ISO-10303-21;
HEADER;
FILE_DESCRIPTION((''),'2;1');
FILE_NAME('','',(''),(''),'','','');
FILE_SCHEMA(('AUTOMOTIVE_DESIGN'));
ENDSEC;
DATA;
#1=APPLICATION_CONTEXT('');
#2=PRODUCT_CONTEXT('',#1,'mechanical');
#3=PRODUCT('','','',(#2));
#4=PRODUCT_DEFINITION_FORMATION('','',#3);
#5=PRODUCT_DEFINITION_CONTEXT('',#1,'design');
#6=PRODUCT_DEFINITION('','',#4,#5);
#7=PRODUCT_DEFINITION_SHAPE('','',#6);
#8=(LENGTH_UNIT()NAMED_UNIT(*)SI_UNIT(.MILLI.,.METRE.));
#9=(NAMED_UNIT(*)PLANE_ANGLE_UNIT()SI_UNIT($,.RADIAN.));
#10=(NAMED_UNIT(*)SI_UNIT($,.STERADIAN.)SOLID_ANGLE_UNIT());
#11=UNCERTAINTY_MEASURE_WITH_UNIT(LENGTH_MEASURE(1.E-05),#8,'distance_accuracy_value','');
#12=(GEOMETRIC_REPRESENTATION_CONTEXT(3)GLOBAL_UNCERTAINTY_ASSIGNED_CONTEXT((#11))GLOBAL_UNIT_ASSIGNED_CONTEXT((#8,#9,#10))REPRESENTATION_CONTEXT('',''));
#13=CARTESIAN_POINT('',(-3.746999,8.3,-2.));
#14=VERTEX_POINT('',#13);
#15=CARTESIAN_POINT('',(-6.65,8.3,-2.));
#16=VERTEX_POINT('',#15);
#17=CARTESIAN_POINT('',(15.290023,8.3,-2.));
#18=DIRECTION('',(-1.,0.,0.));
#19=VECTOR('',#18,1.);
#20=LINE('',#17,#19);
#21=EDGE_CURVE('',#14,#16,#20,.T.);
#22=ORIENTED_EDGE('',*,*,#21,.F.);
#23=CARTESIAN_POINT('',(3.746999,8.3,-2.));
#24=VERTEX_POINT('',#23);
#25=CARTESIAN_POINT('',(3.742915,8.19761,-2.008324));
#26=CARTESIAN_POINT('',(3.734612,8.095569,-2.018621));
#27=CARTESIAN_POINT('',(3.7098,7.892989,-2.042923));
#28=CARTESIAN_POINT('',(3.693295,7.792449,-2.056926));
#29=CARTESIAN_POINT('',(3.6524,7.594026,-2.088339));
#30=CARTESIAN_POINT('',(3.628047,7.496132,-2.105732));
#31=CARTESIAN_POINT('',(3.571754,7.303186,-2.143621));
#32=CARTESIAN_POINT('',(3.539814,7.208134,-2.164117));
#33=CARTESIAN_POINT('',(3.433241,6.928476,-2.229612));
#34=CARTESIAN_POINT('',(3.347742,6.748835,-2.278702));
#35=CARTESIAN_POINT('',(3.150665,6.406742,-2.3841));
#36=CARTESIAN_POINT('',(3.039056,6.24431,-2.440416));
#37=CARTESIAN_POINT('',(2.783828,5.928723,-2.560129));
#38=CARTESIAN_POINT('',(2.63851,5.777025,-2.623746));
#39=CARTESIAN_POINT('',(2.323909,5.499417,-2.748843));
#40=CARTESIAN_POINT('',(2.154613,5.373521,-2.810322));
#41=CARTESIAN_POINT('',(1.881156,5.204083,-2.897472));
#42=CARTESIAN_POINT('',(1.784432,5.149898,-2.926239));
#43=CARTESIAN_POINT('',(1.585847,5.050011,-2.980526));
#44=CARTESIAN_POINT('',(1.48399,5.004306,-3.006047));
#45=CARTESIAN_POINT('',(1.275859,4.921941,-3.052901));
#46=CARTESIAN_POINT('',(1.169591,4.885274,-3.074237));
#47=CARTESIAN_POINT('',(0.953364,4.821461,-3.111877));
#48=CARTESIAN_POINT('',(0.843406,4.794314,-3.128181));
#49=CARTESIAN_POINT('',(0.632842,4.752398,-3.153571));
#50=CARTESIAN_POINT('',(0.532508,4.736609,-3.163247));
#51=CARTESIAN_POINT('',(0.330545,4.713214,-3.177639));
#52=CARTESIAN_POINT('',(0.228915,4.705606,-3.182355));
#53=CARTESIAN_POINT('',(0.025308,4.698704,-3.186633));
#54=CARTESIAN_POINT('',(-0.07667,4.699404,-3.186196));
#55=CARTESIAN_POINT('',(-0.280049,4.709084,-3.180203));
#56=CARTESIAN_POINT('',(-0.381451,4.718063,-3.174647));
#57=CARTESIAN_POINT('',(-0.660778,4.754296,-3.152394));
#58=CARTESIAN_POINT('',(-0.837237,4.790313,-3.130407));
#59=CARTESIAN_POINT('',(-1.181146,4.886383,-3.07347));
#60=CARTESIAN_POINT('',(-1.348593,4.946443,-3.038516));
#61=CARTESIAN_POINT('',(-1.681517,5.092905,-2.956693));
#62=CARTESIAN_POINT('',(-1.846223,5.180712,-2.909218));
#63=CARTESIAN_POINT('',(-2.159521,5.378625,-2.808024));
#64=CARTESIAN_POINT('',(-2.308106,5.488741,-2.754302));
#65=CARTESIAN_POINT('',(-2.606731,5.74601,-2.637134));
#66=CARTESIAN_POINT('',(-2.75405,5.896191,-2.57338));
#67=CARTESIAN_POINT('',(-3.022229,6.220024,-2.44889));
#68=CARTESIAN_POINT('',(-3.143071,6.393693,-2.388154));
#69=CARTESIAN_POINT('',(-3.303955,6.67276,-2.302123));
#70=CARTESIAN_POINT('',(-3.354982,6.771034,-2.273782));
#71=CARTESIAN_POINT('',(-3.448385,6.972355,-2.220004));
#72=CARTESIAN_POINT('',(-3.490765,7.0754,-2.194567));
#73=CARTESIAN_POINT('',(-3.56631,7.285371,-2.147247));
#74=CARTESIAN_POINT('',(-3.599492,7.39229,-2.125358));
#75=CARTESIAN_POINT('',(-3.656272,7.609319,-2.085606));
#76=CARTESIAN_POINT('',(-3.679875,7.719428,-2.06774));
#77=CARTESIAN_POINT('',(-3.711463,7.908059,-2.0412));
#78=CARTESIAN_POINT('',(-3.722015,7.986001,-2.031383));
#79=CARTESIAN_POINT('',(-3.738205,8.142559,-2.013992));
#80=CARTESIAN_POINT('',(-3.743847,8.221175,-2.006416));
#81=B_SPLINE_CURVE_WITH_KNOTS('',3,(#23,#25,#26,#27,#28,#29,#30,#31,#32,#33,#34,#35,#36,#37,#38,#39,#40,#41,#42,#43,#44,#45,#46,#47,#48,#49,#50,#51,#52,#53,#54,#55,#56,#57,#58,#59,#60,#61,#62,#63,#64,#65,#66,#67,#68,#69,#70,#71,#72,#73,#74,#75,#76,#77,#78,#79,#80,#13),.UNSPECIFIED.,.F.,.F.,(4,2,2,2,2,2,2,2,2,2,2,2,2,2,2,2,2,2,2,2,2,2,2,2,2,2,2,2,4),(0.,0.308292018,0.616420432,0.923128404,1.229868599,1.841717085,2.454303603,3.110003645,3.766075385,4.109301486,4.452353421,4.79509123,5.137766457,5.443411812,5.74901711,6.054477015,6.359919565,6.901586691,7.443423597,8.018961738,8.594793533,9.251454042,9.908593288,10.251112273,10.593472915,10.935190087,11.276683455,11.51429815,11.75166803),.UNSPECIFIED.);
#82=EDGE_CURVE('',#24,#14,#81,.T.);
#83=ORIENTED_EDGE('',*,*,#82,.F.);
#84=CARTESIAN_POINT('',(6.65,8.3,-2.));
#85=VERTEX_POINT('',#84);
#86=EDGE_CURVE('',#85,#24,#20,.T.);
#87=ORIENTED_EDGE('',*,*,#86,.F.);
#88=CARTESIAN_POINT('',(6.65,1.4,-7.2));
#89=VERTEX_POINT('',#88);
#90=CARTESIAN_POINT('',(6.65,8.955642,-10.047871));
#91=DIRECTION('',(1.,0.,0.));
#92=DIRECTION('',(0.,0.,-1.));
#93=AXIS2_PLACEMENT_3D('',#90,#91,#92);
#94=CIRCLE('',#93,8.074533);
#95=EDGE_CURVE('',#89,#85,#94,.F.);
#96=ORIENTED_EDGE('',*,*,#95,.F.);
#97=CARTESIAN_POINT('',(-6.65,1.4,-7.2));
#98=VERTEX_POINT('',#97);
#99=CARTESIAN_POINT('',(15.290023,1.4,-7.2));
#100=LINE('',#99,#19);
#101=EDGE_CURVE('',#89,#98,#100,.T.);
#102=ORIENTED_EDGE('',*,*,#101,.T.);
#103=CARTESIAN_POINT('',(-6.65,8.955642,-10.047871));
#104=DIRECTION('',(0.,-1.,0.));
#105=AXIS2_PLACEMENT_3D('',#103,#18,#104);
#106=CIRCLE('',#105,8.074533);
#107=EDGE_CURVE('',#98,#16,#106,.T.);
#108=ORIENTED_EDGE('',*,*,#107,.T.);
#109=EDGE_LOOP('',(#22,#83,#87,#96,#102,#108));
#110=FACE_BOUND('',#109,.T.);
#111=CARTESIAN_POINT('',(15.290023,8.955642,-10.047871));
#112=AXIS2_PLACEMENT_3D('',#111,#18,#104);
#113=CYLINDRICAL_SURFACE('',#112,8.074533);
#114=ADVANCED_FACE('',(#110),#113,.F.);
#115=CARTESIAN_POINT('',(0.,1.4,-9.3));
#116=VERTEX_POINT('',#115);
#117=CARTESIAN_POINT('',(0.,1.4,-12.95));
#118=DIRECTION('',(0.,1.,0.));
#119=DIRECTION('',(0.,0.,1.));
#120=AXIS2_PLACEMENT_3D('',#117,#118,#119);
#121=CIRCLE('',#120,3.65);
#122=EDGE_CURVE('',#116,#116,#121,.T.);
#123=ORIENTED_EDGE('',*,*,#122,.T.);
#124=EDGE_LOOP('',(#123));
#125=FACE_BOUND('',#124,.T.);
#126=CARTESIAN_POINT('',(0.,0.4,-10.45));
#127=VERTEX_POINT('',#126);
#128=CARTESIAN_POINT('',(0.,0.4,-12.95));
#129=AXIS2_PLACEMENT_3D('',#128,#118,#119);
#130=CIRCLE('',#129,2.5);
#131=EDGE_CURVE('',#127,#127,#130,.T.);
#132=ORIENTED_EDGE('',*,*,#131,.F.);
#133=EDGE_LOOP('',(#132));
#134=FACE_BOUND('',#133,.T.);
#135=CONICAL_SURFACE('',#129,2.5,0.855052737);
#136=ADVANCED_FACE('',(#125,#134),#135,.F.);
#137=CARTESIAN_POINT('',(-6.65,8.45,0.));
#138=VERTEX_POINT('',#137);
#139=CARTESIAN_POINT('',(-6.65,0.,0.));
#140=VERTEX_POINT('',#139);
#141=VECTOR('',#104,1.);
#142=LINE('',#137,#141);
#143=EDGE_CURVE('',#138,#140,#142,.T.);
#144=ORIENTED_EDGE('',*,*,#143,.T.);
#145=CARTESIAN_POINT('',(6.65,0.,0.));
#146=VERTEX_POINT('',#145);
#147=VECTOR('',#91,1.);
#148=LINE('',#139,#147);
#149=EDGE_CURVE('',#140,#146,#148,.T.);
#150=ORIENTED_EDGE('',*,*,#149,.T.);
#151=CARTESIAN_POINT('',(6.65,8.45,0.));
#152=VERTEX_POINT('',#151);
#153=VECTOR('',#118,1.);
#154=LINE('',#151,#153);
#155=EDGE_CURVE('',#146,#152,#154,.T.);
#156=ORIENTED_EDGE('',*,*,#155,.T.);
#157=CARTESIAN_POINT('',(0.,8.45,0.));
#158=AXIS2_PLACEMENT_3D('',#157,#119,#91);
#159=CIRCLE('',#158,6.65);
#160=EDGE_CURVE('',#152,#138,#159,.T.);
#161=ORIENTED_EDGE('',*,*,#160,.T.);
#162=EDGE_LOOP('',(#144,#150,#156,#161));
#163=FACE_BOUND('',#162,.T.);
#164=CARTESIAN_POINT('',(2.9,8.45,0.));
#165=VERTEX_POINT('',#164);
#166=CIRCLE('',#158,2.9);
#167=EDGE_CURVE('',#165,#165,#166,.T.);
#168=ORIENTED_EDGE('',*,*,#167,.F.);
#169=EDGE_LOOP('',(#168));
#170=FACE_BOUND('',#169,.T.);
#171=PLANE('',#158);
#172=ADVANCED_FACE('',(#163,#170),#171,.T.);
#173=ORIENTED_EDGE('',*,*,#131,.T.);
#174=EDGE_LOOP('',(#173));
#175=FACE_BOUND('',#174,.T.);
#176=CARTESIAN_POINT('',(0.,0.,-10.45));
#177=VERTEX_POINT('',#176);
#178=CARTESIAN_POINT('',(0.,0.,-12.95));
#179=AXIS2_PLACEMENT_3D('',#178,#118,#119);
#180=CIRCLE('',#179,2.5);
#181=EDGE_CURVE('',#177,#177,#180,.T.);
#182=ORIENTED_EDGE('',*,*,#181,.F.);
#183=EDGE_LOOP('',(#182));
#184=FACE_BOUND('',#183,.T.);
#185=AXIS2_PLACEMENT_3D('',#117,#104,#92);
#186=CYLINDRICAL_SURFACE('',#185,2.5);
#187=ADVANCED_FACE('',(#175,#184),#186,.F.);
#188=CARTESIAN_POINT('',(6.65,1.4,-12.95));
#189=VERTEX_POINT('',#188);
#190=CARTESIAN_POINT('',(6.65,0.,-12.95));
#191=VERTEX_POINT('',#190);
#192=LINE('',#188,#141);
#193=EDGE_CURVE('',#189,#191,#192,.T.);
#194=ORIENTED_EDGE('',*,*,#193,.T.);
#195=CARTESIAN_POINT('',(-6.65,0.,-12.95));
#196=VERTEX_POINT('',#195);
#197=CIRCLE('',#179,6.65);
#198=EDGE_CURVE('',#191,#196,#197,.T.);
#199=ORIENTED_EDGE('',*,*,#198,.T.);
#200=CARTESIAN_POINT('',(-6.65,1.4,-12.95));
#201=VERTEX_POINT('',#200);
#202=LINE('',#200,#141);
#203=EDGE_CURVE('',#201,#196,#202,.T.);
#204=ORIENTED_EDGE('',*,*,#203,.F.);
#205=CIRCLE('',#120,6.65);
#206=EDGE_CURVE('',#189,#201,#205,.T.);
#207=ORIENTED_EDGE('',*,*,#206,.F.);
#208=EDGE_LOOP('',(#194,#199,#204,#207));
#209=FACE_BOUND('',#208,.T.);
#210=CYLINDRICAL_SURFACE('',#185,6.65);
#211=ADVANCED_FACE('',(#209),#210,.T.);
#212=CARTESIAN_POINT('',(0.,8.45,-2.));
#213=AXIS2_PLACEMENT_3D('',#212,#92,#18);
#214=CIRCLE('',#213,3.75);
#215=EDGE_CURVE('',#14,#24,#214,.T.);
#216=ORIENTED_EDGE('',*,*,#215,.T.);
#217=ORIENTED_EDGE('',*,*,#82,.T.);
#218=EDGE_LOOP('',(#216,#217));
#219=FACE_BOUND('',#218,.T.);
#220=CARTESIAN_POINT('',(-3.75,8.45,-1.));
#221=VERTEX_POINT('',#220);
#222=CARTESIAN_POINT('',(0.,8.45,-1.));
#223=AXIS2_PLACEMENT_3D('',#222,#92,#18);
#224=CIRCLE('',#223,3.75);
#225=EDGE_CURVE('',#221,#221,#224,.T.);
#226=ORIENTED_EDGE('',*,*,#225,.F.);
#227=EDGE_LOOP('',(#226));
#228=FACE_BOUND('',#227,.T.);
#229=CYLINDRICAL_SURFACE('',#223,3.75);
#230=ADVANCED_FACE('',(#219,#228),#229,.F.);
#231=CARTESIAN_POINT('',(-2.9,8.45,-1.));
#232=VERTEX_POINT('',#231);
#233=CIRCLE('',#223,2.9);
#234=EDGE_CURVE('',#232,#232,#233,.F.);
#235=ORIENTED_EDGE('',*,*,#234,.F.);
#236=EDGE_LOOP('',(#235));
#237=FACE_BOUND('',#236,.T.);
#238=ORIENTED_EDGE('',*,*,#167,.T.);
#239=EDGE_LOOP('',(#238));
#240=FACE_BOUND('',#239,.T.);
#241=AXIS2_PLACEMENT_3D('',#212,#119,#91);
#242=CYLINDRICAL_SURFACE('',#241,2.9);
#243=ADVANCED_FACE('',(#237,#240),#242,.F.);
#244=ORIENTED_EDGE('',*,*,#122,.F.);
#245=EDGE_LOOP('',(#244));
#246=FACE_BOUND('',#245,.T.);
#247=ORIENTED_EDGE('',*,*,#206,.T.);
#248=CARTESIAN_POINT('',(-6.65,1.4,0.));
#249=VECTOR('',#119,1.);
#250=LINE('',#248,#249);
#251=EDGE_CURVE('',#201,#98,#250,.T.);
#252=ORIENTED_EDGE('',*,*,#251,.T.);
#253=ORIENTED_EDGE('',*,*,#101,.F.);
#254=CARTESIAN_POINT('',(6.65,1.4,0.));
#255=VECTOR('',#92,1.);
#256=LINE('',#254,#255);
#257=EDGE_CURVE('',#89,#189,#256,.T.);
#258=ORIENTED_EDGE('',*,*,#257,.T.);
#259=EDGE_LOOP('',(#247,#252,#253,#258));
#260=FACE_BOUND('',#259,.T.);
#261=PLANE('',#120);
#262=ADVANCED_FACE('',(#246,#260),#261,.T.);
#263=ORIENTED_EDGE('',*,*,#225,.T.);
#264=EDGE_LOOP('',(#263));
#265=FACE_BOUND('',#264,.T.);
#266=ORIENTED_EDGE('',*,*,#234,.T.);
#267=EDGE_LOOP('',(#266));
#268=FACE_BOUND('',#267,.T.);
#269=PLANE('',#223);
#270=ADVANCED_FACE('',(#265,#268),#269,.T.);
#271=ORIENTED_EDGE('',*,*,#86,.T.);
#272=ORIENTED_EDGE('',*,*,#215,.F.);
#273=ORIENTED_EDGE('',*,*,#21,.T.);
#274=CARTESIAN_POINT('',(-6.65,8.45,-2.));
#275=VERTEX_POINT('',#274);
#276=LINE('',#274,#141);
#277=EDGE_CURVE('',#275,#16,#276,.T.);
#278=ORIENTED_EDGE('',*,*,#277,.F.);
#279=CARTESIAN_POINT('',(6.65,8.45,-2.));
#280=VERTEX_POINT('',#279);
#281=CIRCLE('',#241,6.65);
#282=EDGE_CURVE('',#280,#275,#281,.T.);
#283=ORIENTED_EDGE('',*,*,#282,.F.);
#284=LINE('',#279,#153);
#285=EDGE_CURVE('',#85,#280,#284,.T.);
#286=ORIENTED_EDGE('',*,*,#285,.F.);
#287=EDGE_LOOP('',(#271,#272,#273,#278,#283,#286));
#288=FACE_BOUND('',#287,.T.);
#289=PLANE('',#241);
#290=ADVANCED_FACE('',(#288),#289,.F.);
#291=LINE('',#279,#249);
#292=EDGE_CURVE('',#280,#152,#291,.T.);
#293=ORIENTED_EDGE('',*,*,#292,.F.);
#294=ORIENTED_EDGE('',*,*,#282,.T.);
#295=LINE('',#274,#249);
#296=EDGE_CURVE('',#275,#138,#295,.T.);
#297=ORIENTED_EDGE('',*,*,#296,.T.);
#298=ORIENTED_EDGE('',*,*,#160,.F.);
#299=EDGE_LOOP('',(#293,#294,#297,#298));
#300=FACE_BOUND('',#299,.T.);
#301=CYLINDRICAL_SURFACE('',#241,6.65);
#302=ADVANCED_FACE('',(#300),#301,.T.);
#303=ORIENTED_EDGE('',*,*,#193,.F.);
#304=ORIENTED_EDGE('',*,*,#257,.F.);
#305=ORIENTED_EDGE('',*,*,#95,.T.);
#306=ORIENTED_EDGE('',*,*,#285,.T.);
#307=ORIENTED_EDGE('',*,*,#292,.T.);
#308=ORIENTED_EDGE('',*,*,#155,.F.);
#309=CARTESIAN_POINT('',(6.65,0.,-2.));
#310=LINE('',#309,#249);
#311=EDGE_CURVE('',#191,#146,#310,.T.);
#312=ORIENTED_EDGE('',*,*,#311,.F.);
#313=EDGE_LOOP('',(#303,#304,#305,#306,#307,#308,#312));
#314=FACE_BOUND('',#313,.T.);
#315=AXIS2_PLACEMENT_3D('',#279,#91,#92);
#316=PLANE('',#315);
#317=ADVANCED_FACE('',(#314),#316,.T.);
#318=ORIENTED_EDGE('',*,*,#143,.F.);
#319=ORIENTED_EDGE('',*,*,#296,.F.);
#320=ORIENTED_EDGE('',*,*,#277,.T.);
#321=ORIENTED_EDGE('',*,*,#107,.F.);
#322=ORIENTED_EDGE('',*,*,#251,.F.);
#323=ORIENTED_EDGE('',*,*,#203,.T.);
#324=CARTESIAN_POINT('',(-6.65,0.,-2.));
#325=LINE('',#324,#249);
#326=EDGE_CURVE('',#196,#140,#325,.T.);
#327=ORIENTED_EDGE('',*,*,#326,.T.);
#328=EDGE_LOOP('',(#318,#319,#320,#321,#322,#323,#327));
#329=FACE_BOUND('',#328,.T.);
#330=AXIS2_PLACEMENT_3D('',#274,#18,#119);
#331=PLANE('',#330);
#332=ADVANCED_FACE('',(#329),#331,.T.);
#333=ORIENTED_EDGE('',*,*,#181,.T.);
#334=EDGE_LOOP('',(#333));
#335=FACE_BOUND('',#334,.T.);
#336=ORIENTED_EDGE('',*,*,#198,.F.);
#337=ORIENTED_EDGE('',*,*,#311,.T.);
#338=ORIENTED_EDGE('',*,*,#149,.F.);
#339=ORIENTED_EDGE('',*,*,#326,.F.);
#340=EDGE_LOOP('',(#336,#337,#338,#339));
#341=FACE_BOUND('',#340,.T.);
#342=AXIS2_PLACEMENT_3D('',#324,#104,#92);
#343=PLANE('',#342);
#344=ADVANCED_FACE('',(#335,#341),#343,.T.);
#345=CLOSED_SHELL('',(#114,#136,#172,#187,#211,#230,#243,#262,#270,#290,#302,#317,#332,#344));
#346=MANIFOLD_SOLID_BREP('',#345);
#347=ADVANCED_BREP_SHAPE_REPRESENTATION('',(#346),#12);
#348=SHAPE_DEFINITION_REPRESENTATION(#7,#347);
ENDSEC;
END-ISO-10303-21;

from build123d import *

# Parameters (mm, degrees)
ESQUISSE1_R             = 2.9
BOSS_EXTRU_3_DEPTH      = 2
ESQUISSE4_R             = 2.5
BOSS_EXTRU_4_DEPTH      = 1.4
BOSS_EXTRU_5_START      = -13.3
BOSS_EXTRU_5_DEPTH      = 13.3
ESQUISSE6_R             = 3.75
ENL_V_MAT_EXTRU_2_DEPTH = 1
ESQUISSE7_R             = 3.75
ENL_V_MAT_EXTRU_3_DEPTH = 25.863477231
ESQUISSE9_R             = 2.5
ESQUISSE8_R             = 3.65


with BuildPart() as part:
    # Esquisse1 → Boss.-Extru.3 (new body)
    with BuildSketch(Plane.XY):
        with BuildLine():
            Line((-6.65, 8.45), (-6.65, 0))
            Line((-6.65, 0), (6.65, 0))
            Line((6.65, 0), (6.65, 8.45))
            ThreePointArc((6.65, 8.45), (0, 15.1), (-6.65, 8.45))
        make_face()
        with Locations((0, 8.45)):
            Circle(ESQUISSE1_R, mode=Mode.SUBTRACT)
    extrude(amount=-BOSS_EXTRU_3_DEPTH)

    # Esquisse4 → Boss.-Extru.4 (add)
    with BuildSketch(Plane(origin=(0, 0, 0), x_dir=(1, 0, 0), z_dir=(0, 1, 0))):
        with BuildLine():
            Line((6.65, 0), (-6.65, 0))
            Line((-6.65, 0), (-6.65, 12.95))
            ThreePointArc((-6.65, 12.95), (0, 19.6), (6.65, 12.95))
            Line((6.65, 12.95), (6.65, 0))
        make_face()
        with Locations(Location((0, 12.95, 0), (0, 0, 270))):
            Circle(ESQUISSE4_R, mode=Mode.SUBTRACT)
    extrude(amount=BOSS_EXTRU_4_DEPTH)

    # Esquisse5 → Boss.-Extru.5 (add)
    with BuildSketch(Plane.ZY.offset(6.65).offset(BOSS_EXTRU_5_START)):
        with BuildLine():
            Line((-2, 1.4), (-2, 8.3))
            ThreePointArc((-2, 8.3), (-3.599475922, 4.095981854), (-7.2, 1.4))
            Line((-7.2, 1.4), (-2, 1.4))
        make_face()
    extrude(amount=BOSS_EXTRU_5_DEPTH)

    # Esquisse6 → Enlèv. mat.-Extru.2 (cut)
    with BuildSketch(Plane(origin=(0, 0, -2), x_dir=(-1, 0, 0), z_dir=(0, 0, -1))):
        with Locations((0, 8.45)):
            Circle(ESQUISSE6_R)
    extrude(amount=-ENL_V_MAT_EXTRU_2_DEPTH, mode=Mode.SUBTRACT)

    # Esquisse7 → Enlèv. mat.-Extru.3 (cut, through all)
    with BuildSketch(Plane(origin=(0, 0, -1), x_dir=(-1, 0, 0), z_dir=(0, 0, -1))):
        with Locations((0, 8.45)):
            Circle(ESQUISSE7_R)
    extrude(amount=ENL_V_MAT_EXTRU_3_DEPTH, mode=Mode.SUBTRACT)

    # Esquisse9 → Enlèvement de matière-Lissage1 section 0
    with BuildSketch(Plane(origin=(0, 0.4, 0), x_dir=(1, 0, 0), z_dir=(0, 1, 0))):
        with Locations((0, 12.95)):
            Circle(ESQUISSE9_R)
    # Esquisse8 → Enlèvement de matière-Lissage1 section 1
    with BuildSketch(Plane(origin=(0, 1.4, 0), x_dir=(1, 0, 0), z_dir=(0, 1, 0))):
        with Locations((0, 12.95)):
            Circle(ESQUISSE8_R)
    loft(mode=Mode.SUBTRACT)


solid = part.part
